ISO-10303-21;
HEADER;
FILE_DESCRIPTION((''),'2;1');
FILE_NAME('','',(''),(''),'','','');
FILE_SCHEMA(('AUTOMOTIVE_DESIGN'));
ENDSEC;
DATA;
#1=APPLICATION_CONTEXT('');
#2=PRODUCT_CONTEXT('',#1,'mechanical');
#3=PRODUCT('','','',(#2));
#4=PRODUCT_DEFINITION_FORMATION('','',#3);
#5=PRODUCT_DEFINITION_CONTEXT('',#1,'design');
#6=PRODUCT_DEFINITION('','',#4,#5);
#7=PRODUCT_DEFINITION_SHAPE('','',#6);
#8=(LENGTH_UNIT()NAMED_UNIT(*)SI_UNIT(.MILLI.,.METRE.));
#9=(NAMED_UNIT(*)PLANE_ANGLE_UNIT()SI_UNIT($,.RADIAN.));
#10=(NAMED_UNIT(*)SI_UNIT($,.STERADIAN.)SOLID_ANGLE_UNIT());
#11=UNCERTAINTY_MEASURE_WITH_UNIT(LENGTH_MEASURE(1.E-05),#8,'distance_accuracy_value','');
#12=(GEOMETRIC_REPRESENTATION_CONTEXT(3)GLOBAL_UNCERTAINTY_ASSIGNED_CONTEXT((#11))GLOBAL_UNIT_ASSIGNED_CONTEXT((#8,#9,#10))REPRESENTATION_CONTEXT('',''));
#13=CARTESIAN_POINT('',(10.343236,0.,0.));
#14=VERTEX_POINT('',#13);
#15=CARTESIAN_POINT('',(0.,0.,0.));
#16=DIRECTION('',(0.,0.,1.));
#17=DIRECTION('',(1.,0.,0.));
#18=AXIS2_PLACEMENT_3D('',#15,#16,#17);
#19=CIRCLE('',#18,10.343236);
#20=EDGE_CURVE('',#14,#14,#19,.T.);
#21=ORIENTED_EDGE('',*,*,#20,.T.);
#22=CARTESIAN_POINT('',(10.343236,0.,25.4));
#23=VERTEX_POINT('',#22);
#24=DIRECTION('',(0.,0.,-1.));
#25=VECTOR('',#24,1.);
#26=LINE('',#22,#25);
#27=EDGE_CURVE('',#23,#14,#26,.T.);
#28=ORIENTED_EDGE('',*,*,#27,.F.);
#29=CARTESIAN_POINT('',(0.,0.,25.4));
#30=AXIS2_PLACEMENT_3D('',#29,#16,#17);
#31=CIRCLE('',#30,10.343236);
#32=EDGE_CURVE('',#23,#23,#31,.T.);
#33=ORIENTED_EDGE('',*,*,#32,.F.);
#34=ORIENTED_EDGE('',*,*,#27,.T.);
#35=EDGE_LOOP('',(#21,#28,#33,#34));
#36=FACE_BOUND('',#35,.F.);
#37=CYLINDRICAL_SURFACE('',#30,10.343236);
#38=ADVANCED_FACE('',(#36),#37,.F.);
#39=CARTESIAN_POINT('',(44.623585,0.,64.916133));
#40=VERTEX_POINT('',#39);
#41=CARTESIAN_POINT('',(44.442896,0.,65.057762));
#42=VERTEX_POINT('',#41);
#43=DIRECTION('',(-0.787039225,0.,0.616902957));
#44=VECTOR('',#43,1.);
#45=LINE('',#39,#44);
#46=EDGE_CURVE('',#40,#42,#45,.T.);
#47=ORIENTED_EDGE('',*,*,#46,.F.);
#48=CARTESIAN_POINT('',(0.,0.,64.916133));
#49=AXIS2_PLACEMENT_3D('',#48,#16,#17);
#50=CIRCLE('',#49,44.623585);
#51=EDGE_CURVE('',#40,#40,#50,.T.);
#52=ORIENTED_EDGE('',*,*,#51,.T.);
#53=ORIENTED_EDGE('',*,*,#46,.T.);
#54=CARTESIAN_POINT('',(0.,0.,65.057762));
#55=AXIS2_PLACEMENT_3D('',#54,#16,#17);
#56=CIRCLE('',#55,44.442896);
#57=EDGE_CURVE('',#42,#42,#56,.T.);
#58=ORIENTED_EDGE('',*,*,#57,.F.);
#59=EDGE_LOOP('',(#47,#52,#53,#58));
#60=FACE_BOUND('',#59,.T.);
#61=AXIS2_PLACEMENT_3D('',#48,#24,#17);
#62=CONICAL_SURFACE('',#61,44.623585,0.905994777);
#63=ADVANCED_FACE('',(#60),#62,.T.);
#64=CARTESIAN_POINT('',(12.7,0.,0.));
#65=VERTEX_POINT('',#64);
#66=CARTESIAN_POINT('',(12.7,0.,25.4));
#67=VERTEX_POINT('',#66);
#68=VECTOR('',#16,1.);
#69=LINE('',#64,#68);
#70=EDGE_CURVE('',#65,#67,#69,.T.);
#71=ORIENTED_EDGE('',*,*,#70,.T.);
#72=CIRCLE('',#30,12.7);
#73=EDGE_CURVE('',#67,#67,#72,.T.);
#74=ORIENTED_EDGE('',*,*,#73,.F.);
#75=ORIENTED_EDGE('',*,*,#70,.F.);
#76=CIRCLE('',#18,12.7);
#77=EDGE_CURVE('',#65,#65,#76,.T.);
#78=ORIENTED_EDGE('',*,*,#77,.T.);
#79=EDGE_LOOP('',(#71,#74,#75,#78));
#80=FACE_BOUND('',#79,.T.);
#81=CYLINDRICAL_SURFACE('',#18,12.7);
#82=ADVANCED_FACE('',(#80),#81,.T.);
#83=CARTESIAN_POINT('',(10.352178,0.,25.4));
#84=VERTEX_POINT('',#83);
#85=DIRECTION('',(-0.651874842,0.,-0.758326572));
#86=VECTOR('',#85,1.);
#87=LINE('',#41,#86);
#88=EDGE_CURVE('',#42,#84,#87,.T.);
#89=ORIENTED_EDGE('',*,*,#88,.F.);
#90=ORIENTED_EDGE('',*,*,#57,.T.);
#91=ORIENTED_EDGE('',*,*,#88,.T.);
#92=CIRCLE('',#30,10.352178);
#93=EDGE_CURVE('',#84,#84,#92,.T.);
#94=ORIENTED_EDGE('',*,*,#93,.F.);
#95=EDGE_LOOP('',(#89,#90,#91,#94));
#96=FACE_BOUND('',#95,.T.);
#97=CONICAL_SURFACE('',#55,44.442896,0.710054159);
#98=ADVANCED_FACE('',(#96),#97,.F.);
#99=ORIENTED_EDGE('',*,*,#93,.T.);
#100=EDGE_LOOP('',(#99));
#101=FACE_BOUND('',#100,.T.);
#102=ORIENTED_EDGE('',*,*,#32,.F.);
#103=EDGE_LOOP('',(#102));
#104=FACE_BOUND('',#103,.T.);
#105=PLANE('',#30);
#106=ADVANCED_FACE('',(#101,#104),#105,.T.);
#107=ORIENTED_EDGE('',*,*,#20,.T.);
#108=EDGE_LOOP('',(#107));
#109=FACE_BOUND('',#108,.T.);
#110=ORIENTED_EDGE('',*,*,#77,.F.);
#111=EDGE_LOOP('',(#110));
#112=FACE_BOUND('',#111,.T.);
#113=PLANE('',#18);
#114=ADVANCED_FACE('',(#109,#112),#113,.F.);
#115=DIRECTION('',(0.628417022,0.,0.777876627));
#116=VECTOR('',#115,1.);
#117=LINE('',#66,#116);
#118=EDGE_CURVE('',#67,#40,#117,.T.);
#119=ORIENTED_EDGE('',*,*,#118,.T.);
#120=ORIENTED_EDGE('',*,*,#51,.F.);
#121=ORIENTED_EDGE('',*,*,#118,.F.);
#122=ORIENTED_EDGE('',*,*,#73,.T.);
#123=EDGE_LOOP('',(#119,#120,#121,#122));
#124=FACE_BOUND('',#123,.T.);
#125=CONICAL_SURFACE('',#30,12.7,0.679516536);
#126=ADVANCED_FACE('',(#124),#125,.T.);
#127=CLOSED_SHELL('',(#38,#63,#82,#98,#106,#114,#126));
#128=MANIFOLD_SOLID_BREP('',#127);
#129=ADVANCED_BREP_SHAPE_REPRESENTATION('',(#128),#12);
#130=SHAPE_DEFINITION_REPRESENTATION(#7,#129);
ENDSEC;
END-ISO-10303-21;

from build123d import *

# Parameters (mm, degrees)
F2_R     = 10.343236
F3_DEPTH = 30.226


with BuildPart() as f1:
    # F0 (on Front) → F1 (revolve)
    with BuildSketch(Plane.XZ):
        Polygon((0, 25.4), (0, 0), (12.7, 0), (12.7, 25.4), (44.623585, 64.916133), (44.442896, 65.057762), (10.352178, 25.4), align=None)
    revolve(axis=Axis((0, 0, 12.7), (0, 0, 1)))

    # F2 (on face) → F3 (cut)
    with BuildSketch(Plane.XY.offset(25.4)):
        Circle(F2_R)
    extrude(amount=-F3_DEPTH, mode=Mode.SUBTRACT)


solid = f1.part
